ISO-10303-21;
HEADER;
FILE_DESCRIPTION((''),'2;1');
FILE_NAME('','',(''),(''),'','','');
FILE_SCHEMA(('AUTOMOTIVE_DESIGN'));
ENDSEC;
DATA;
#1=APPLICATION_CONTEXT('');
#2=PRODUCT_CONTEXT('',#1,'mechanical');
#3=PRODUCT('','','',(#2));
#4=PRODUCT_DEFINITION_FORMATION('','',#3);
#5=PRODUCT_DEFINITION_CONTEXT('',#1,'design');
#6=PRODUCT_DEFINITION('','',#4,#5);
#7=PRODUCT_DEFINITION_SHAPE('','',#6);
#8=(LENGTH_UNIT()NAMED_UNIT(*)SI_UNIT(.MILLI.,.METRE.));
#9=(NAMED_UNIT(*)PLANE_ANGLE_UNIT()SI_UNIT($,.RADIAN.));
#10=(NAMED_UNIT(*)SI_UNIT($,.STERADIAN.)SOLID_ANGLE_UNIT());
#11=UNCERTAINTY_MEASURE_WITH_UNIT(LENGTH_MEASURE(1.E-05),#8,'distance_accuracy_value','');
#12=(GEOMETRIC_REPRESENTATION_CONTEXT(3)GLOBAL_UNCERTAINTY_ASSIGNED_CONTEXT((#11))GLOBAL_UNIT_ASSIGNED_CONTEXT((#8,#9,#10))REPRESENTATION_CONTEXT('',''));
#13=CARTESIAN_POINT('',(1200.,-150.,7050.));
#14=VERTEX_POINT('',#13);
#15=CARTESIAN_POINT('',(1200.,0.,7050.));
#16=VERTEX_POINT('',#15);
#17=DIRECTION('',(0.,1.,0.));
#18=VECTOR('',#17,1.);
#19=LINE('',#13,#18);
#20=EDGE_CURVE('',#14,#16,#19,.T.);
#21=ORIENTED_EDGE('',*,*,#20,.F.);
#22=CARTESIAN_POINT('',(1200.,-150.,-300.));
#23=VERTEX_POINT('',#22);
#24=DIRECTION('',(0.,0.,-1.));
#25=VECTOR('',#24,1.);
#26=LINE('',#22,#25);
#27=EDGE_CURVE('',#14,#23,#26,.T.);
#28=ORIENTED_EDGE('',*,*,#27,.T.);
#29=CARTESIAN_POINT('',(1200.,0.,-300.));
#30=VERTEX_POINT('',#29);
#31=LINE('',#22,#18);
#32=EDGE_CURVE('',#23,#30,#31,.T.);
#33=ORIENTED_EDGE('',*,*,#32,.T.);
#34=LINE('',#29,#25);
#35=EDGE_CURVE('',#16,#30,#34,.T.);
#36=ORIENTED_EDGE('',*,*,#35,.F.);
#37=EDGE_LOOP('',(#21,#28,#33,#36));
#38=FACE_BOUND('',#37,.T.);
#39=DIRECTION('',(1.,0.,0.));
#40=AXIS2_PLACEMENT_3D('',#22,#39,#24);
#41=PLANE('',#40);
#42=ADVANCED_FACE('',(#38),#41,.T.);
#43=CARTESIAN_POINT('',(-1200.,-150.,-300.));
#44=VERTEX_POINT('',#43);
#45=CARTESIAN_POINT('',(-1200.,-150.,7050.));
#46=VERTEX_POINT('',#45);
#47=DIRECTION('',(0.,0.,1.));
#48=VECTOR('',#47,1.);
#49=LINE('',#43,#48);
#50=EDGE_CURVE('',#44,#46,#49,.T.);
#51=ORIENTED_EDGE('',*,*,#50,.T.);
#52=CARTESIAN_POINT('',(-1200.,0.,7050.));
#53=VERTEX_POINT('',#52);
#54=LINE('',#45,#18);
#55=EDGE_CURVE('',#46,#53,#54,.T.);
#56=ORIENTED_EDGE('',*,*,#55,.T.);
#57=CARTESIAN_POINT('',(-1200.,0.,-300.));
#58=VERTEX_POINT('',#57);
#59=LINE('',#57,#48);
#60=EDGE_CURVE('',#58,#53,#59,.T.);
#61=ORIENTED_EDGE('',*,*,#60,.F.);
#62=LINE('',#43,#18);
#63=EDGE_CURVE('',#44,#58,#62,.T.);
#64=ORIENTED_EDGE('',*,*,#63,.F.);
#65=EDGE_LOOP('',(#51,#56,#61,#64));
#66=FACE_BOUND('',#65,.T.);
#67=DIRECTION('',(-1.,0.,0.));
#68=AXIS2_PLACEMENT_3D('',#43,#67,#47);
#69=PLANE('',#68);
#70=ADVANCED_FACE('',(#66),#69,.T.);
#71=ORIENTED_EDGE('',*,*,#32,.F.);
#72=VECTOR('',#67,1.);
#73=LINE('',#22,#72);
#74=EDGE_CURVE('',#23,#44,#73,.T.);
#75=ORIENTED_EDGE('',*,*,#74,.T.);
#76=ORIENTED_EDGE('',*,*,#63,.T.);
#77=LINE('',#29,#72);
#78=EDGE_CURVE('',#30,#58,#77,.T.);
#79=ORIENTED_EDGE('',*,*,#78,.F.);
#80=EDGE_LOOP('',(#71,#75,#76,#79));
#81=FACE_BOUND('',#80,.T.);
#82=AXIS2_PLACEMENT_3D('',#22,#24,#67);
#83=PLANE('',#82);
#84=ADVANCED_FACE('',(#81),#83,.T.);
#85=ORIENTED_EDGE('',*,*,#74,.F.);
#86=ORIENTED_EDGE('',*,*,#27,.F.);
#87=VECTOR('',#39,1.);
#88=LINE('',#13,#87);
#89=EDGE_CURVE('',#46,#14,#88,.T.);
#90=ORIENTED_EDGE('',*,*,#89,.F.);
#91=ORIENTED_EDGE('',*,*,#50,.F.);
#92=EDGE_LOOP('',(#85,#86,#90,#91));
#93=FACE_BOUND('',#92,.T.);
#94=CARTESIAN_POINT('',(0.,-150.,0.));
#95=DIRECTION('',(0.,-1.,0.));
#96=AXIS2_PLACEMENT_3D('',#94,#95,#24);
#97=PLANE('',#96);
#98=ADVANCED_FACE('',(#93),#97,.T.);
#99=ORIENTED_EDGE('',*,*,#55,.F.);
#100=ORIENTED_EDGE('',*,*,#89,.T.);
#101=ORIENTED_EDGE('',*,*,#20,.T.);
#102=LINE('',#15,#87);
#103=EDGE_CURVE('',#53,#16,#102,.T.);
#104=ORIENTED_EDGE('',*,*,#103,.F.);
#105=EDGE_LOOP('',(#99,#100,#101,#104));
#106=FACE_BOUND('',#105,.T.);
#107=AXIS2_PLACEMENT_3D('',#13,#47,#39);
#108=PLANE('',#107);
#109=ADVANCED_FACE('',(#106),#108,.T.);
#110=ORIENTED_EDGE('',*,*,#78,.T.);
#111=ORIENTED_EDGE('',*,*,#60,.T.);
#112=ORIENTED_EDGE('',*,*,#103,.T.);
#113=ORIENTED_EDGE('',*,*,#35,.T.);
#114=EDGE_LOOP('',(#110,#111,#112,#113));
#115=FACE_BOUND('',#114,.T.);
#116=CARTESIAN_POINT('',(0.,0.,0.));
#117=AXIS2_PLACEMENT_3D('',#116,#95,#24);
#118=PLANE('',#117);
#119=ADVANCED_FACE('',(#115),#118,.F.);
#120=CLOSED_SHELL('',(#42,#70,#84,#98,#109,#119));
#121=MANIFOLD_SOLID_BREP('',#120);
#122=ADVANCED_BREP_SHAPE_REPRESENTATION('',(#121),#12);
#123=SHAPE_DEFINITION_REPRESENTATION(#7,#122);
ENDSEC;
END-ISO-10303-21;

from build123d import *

# Parameters (mm, degrees)
SKETCH_1_W      = 2400
SKETCH_1_H      = 7350
EXTRUDE_1_DEPTH = 150


with BuildPart() as part:
    # Эскиз1 → Бобышка-Вытянуть1 (new body)
    with BuildSketch(Plane(origin=(0, 0, 0), x_dir=(1, 0, 0), z_dir=(0, 1, 0))):
        with Locations((0, -3375)):
            Rectangle(SKETCH_1_W, SKETCH_1_H)
    extrude(amount=-EXTRUDE_1_DEPTH)


solid = part.part
